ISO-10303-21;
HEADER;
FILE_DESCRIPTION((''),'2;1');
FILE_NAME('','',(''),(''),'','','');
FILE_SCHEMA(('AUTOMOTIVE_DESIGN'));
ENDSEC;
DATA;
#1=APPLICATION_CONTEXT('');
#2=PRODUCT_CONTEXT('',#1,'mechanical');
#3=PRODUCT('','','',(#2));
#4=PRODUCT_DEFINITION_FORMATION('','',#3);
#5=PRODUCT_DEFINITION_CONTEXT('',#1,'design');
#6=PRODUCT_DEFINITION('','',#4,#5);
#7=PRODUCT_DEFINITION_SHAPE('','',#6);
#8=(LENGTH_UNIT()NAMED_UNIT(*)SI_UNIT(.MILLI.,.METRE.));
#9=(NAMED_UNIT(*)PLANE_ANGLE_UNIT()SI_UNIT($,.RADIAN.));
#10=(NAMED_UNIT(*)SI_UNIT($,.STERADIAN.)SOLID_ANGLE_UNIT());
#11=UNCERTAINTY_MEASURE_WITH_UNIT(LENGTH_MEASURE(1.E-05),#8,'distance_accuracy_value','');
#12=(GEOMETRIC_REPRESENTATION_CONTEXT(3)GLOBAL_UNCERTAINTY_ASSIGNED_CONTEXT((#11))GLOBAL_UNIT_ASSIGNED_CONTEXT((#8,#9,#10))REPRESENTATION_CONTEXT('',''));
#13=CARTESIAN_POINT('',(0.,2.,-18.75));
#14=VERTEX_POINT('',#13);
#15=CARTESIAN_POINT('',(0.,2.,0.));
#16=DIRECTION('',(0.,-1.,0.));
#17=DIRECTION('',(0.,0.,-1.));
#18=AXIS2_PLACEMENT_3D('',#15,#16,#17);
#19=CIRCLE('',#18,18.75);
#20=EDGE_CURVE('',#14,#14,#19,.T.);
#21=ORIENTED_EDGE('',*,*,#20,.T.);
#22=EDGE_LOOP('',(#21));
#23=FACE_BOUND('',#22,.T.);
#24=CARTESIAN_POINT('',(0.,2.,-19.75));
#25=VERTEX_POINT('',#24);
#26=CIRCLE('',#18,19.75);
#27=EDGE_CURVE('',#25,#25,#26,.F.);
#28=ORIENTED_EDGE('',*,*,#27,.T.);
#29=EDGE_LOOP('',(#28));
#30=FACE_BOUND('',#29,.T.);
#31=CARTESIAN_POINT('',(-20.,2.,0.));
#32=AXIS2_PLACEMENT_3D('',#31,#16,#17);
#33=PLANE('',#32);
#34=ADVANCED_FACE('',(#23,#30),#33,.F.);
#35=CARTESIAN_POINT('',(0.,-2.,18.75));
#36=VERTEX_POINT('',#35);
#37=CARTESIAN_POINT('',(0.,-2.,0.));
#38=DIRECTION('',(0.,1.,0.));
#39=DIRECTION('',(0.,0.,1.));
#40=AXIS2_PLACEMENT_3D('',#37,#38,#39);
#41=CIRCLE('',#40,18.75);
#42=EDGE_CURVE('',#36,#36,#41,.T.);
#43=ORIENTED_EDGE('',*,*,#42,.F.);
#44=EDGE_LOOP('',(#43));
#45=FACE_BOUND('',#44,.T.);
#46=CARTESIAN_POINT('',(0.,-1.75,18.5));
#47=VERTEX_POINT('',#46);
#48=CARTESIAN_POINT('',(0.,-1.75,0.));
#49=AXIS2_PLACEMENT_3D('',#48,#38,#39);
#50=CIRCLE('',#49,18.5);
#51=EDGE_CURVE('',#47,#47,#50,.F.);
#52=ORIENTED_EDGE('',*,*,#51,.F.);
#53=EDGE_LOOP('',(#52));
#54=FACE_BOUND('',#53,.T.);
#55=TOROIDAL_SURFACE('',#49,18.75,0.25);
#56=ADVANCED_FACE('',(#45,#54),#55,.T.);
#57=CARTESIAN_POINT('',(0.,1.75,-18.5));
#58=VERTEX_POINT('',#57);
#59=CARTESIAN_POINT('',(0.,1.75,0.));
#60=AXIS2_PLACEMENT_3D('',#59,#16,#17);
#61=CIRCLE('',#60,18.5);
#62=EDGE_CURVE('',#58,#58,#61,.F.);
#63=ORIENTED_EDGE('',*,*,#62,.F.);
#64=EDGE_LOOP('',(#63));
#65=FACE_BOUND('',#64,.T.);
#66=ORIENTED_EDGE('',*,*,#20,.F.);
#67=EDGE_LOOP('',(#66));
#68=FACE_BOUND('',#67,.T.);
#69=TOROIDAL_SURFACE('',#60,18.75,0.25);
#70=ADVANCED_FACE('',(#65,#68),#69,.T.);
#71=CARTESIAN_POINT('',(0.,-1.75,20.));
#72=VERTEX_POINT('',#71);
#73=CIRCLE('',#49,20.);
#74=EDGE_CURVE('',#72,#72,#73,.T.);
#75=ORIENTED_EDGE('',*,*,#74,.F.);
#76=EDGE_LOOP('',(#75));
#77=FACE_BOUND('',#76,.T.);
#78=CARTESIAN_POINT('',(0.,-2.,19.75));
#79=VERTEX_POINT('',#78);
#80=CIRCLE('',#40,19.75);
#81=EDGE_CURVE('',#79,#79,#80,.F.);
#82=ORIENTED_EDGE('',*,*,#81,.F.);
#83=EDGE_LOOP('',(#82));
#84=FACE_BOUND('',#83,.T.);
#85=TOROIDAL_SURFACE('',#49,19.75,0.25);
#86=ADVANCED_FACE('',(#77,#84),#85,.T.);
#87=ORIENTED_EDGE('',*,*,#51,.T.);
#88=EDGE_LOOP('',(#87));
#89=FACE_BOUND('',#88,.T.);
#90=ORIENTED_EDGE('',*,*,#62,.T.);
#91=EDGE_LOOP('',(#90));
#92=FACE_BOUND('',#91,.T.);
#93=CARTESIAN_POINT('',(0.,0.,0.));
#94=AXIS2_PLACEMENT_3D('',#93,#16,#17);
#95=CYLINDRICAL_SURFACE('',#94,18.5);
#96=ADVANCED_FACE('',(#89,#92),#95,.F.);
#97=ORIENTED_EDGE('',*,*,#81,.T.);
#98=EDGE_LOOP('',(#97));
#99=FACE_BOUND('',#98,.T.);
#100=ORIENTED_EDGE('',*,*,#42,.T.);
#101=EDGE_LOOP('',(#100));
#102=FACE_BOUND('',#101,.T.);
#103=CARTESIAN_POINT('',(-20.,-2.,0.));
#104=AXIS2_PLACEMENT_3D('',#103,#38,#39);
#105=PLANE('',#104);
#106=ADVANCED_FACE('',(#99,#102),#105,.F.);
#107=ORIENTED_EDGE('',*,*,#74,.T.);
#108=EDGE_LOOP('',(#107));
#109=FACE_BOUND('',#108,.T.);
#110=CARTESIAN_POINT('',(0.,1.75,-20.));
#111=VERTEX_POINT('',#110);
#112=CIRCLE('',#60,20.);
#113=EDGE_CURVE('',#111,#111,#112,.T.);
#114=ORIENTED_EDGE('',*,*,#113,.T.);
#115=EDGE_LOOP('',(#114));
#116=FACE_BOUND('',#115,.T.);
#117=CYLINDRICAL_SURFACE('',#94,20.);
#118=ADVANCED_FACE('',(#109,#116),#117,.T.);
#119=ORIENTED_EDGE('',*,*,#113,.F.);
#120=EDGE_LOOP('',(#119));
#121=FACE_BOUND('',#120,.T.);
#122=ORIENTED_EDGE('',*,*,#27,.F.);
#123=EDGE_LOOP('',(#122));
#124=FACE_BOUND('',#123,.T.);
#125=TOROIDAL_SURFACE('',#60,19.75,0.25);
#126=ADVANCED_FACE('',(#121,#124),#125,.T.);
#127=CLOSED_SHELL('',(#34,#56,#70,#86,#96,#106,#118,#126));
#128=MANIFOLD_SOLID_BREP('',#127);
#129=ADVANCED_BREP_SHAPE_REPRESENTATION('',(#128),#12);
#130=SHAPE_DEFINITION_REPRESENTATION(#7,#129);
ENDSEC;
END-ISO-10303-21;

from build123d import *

# Parameters (mm, degrees)
SKETCH1_W = 1.5
SKETCH1_H = 4
FILLET1_R = 0.25


with BuildPart() as part:
    # Sketch1 → Revolve1 (revolve)
    with BuildSketch(Plane.XY):
        with Locations((-19.25, 0)):
            Rectangle(SKETCH1_W, SKETCH1_H)
    revolve(axis=Axis((0, 0, 0), (0, 1, 0)))

    # Fillet1
    fillet1_edges = [part.edges().sort_by_distance(p)[0] for p in [
        (20, 2, 0),
        (18.5, 2, 0),
        (18.5, -2, 0),
        (20, -2, 0),
    ]]
    fillet(fillet1_edges, radius=FILLET1_R)


solid = part.part
